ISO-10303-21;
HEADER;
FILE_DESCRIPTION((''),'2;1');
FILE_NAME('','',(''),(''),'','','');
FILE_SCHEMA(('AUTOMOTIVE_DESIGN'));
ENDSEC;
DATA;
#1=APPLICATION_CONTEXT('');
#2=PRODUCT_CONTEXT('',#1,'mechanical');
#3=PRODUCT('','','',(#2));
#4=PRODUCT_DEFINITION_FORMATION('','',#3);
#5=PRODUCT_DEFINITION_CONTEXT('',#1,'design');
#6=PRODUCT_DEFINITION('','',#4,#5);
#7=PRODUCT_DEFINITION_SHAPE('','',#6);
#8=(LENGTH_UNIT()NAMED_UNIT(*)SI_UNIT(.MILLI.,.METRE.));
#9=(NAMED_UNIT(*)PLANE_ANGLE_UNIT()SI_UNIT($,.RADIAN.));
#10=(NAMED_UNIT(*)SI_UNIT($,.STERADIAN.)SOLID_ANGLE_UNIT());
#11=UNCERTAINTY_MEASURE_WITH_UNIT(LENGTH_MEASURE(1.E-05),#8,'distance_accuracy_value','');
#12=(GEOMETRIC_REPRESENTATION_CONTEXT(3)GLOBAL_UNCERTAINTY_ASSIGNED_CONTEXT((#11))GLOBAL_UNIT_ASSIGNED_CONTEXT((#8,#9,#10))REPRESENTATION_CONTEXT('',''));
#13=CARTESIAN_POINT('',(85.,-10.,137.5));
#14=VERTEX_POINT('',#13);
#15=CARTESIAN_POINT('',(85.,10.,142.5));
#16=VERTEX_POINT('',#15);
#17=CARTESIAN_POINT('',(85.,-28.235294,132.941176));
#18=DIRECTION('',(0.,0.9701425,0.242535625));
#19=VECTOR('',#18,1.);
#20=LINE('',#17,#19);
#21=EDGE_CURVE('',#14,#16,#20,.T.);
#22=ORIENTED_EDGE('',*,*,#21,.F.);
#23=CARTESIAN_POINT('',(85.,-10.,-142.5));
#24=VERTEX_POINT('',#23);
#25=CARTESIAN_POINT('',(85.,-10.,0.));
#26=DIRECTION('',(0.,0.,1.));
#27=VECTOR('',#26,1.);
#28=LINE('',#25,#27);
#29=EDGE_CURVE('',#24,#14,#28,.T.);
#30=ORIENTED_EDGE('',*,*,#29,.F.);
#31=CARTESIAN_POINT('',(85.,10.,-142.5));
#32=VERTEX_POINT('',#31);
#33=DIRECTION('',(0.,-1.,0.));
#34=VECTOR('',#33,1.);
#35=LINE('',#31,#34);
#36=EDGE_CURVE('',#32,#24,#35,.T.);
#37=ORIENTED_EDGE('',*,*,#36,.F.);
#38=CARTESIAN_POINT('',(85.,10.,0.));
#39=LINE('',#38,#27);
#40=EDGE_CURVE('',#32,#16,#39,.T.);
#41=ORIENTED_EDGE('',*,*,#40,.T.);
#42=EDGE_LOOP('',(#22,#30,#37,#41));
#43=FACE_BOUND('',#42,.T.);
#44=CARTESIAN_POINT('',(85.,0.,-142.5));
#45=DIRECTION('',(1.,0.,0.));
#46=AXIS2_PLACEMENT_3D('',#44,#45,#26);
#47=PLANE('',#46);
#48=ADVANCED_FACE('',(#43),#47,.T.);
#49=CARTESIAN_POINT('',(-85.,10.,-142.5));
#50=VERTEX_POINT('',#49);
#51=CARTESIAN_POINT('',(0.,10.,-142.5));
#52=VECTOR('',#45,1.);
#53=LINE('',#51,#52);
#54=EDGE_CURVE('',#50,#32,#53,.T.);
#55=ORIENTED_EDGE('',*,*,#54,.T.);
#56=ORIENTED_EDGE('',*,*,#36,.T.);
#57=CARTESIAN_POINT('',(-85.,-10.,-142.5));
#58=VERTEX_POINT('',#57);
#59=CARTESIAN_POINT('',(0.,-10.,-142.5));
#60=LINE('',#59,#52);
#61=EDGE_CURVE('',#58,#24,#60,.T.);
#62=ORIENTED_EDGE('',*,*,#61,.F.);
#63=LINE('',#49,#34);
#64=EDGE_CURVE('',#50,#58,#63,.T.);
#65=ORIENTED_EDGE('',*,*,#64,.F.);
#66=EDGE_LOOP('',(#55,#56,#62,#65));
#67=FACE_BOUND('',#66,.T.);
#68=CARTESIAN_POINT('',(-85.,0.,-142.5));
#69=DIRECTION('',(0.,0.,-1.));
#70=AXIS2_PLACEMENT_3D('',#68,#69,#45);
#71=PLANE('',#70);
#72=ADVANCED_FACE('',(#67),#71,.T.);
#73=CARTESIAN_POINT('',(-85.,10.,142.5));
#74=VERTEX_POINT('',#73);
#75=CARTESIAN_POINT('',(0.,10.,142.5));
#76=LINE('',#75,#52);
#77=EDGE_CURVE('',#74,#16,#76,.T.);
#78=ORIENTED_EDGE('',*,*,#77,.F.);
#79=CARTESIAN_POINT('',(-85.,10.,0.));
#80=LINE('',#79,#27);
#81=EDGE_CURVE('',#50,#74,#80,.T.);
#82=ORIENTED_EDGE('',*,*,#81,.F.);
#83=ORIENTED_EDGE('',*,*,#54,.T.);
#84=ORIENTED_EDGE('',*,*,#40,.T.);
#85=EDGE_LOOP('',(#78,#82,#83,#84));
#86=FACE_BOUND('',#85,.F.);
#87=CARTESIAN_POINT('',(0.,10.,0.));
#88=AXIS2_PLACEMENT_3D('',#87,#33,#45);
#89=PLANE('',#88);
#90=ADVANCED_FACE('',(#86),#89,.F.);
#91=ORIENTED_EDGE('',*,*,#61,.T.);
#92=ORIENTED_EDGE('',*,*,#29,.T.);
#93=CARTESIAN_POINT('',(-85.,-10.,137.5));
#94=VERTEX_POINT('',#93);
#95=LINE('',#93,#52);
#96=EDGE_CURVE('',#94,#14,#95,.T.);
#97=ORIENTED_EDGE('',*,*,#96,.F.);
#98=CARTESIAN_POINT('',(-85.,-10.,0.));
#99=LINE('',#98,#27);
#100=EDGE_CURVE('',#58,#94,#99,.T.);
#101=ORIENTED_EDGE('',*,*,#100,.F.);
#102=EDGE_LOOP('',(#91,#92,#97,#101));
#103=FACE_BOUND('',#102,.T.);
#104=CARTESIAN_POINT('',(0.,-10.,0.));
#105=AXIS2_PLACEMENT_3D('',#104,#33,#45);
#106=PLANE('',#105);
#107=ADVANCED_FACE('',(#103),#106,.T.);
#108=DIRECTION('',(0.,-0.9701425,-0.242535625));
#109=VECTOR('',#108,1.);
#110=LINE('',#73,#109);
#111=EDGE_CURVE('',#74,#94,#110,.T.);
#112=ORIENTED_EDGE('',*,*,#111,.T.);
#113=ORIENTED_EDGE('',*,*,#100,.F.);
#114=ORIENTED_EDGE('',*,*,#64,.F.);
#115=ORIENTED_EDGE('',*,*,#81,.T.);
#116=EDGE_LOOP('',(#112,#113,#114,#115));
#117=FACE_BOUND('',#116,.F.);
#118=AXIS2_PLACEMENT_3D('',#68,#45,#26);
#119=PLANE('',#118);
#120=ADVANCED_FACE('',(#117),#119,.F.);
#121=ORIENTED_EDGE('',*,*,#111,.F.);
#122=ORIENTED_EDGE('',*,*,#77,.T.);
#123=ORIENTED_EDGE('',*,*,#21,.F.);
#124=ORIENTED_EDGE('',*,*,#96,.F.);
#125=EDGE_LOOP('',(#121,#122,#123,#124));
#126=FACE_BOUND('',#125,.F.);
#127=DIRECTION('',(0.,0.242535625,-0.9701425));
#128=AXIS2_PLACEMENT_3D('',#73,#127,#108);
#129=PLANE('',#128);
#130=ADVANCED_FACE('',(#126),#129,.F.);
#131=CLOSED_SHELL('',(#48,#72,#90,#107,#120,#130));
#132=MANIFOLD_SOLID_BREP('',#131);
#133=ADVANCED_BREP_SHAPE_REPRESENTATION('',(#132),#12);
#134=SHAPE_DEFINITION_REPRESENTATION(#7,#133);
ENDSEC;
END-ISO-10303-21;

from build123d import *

# Parameters (mm, degrees)
F0_W     = 170
F0_H     = 285
F1_DEPTH = 10
F3_DEPTH = 170.001
F5_ANGLE = 90


with BuildPart() as f1:
    # F0 (on Top) → F1 (new body, symmetric)
    with BuildSketch(Plane.XY):
        Rectangle(F0_W, F0_H)
    extrude(amount=F1_DEPTH, both=True)

    # F2 (on face) → F3 (cut, through all)
    with BuildSketch(Plane(origin=(-85, 0, 0), x_dir=(0, -1, 0), z_dir=(-1, 0, 0))):
        Polygon((-142.5, -10), (-137.5, 10), (-142.5, 10), align=None)
    extrude(amount=-F3_DEPTH, mode=Mode.SUBTRACT)


with BuildPart() as f1_1:
    # F5: moved
    add(f1.part.rotate(Axis((66.870868, 0, 0), (1, 0, 0)), F5_ANGLE))


solid = f1_1.part
